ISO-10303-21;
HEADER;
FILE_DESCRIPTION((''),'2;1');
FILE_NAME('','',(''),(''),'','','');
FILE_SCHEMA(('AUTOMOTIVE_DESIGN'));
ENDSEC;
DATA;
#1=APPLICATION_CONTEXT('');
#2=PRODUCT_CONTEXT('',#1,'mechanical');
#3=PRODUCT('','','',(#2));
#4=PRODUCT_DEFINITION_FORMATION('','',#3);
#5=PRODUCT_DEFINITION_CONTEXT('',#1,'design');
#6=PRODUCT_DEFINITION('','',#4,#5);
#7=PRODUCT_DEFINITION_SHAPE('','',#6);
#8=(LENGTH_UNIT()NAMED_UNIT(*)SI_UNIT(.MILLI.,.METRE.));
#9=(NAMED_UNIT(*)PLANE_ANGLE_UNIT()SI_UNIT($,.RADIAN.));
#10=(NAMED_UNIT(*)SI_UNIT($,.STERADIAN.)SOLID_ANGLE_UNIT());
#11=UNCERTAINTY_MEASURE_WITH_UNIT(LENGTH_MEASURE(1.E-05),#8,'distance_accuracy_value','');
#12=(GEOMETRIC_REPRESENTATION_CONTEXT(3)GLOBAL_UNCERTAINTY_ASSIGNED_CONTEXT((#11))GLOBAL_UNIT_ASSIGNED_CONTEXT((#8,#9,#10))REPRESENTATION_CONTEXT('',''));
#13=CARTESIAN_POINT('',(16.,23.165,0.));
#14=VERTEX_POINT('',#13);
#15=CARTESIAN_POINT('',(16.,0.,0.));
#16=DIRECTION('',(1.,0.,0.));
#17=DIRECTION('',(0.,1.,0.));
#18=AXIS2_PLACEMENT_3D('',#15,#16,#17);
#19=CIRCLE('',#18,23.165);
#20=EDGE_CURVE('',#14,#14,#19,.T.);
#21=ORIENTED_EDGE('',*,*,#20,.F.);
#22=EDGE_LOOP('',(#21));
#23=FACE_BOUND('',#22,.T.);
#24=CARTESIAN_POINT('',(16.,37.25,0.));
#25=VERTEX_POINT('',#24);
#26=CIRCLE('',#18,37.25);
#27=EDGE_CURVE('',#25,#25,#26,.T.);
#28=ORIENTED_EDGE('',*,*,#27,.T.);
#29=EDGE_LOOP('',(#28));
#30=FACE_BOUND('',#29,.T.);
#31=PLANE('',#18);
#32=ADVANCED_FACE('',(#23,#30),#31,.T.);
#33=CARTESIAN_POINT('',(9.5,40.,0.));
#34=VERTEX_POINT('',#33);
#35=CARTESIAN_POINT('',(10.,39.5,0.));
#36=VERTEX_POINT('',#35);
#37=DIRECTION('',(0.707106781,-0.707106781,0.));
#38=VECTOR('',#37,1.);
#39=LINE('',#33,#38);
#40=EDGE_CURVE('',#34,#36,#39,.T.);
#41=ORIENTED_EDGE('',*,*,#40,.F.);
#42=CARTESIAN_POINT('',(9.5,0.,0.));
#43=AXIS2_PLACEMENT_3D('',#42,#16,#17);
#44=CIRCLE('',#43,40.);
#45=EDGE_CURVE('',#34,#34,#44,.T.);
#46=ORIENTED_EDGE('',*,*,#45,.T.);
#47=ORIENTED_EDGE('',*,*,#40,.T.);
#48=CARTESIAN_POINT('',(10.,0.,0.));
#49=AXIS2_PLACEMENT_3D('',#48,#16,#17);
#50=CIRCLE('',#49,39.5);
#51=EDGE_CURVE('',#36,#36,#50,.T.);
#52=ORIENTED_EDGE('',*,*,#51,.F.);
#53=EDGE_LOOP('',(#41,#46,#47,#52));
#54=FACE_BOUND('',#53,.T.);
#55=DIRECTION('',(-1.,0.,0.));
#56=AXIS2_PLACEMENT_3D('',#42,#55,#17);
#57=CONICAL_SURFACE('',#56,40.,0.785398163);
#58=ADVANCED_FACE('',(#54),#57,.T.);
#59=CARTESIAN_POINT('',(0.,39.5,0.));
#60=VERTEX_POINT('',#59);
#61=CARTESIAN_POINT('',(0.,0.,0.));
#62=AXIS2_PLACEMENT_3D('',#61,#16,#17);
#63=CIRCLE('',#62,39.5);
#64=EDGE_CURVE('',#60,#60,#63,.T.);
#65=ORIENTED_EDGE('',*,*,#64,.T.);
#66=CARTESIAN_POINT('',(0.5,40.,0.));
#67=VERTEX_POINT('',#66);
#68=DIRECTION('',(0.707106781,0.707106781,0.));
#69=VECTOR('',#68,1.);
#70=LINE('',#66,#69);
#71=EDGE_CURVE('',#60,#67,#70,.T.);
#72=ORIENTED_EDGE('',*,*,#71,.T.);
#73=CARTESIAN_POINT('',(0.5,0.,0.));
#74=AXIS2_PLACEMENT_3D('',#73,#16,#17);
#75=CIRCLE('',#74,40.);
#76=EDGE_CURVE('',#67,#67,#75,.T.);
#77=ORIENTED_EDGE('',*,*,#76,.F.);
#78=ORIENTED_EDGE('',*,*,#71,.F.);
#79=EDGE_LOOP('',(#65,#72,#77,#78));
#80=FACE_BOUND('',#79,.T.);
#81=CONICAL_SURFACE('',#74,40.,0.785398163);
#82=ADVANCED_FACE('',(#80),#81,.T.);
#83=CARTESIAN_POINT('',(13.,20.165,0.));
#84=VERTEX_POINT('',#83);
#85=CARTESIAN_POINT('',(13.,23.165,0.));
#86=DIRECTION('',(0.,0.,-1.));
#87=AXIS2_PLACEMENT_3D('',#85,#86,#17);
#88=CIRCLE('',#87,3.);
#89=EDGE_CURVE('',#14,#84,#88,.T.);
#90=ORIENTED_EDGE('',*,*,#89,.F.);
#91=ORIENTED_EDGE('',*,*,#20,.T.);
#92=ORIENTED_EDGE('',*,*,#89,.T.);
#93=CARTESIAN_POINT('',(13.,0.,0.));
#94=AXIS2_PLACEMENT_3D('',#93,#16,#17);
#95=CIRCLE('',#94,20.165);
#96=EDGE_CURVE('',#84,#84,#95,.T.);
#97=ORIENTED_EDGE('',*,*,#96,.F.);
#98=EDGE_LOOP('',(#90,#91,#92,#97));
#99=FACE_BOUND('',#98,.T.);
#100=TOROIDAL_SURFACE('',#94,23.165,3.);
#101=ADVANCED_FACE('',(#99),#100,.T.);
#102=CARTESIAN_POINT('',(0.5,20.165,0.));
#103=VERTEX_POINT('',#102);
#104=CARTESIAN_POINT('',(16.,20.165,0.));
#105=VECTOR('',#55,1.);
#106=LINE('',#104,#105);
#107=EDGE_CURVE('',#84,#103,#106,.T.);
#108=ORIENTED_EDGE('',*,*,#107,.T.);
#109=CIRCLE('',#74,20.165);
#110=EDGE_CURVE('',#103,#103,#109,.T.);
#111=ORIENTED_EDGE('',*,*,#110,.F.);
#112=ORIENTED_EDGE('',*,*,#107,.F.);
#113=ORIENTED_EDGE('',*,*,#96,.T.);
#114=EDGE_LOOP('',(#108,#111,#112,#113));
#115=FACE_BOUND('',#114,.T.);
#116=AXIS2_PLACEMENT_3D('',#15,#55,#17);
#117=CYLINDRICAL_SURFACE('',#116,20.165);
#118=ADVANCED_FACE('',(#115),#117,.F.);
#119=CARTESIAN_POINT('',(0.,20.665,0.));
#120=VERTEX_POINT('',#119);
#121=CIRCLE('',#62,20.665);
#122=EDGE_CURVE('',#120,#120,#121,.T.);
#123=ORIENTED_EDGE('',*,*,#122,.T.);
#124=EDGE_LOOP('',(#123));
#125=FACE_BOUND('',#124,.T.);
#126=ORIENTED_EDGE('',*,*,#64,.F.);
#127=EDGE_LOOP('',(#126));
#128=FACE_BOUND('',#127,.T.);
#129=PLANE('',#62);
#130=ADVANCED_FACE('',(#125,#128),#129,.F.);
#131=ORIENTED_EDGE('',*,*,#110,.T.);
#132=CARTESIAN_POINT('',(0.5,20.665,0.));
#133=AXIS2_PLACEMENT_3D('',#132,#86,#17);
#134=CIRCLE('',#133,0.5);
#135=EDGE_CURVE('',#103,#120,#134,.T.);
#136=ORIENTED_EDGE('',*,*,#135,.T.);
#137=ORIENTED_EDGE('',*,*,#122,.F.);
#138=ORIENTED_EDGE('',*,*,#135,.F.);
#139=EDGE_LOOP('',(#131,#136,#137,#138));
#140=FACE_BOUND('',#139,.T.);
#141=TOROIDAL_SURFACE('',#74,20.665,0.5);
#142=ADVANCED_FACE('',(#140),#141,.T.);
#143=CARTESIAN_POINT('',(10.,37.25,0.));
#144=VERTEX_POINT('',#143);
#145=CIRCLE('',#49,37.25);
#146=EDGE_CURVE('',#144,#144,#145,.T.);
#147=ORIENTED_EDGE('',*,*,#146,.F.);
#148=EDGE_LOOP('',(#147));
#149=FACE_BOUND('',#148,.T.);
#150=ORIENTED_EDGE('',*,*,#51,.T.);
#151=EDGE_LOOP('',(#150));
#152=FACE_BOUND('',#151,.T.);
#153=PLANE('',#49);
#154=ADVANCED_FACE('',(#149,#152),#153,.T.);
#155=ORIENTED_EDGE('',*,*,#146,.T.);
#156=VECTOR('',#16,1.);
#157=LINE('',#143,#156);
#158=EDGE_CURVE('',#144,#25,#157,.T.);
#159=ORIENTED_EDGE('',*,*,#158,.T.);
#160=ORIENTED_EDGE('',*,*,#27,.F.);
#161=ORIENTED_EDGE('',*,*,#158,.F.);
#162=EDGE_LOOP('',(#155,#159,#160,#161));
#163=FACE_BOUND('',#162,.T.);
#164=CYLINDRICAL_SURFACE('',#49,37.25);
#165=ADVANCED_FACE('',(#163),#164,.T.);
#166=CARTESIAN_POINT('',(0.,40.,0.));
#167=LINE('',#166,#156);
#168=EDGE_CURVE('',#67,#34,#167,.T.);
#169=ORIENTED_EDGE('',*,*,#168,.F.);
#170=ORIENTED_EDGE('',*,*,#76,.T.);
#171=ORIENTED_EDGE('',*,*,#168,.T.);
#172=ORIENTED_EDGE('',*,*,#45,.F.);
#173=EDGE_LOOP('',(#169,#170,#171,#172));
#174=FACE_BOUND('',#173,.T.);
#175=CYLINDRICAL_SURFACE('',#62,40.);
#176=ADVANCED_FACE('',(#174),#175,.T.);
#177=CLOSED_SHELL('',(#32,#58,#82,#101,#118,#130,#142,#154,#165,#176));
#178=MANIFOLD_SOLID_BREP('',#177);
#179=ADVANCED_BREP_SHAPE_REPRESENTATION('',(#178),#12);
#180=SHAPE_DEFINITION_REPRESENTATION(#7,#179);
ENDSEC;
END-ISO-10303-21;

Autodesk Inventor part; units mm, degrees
ref_plane "YZ Plane" through (0, 0, 0) normal (1, 0, 0) x (0, 1, 0)
ref_plane "XZ Plane" through (0, 0, 0) normal (0, 1, 0) x (-1, 0, 0)
ref_plane "XY Plane" through (0, 0, 0) normal (0, 0, 1) x (1, 0, 0)
sketch "Náčrt1" plane through (0, 0, 0) normal (0, 0, 1) x (1, 0, 0)
  line L0 (0, 0) -> (18.405, 0)
  line L1 (0, 20.165) -> (0, 40)
  line L2 (0, 40) -> (10, 40)
  line L3 (10, 40) -> (10, 37.25)
  line L4 (10, 37.25) -> (16, 37.25)
  line L5 (16, 37.25) -> (16, 20.165)
  line L6 (16, 20.165) -> (0, 20.165)
  dimension "d0" = 80
  dimension "d1" = 40.33
  dimension "d2" = 74.5
  dimension "d3" = 16
  dimension "d4" = 10
revolve "Rotace1" add sketch "Náčrt1" angle 360 about axis through (0, 0, 0) along (1, 0, 0)
fillet "Zaoblení1" radius 3 1 edges at (16, -20.165, 0)
fillet "Zaoblení2" radius 0.5 1 edges at (0, -20.165, 0)
chamfer "Zkosení1" distance 0.5 angle 45 2 edges at (0, -40, 0) (10, -40, 0)
equation "\"PoloměrOhybu\" = Tloušťka"
equation "\"ŠířkaVýštipu\" = Tloušťka"
equation "\"HloubkaVýštipu\" = 0.5 * Tloušťka"
equation "\"VelikostRohovéhoVýštipu\" = 4 * Tloušťka"
equation "\"MinimálníZbytek\" = 2 * Tloušťka"
equation "\"PřechodovýPoloměr\" = PoloměrOhybu"
equation "\"VelikostJacobihoPoloměru\" = Tloušťka"
equation "\"VelikostMezery\" = Tloušťka"
equation "\"Rozmer_B\" = 0"
equation "\"Rozmer_C\" = Tloušťka"
equation "\"Rozmer_D\" = d3"
equation "\"Tloušťka\" = 0.5"
properties part number "NA-45-h-Crown-217" material "19 436.4"
